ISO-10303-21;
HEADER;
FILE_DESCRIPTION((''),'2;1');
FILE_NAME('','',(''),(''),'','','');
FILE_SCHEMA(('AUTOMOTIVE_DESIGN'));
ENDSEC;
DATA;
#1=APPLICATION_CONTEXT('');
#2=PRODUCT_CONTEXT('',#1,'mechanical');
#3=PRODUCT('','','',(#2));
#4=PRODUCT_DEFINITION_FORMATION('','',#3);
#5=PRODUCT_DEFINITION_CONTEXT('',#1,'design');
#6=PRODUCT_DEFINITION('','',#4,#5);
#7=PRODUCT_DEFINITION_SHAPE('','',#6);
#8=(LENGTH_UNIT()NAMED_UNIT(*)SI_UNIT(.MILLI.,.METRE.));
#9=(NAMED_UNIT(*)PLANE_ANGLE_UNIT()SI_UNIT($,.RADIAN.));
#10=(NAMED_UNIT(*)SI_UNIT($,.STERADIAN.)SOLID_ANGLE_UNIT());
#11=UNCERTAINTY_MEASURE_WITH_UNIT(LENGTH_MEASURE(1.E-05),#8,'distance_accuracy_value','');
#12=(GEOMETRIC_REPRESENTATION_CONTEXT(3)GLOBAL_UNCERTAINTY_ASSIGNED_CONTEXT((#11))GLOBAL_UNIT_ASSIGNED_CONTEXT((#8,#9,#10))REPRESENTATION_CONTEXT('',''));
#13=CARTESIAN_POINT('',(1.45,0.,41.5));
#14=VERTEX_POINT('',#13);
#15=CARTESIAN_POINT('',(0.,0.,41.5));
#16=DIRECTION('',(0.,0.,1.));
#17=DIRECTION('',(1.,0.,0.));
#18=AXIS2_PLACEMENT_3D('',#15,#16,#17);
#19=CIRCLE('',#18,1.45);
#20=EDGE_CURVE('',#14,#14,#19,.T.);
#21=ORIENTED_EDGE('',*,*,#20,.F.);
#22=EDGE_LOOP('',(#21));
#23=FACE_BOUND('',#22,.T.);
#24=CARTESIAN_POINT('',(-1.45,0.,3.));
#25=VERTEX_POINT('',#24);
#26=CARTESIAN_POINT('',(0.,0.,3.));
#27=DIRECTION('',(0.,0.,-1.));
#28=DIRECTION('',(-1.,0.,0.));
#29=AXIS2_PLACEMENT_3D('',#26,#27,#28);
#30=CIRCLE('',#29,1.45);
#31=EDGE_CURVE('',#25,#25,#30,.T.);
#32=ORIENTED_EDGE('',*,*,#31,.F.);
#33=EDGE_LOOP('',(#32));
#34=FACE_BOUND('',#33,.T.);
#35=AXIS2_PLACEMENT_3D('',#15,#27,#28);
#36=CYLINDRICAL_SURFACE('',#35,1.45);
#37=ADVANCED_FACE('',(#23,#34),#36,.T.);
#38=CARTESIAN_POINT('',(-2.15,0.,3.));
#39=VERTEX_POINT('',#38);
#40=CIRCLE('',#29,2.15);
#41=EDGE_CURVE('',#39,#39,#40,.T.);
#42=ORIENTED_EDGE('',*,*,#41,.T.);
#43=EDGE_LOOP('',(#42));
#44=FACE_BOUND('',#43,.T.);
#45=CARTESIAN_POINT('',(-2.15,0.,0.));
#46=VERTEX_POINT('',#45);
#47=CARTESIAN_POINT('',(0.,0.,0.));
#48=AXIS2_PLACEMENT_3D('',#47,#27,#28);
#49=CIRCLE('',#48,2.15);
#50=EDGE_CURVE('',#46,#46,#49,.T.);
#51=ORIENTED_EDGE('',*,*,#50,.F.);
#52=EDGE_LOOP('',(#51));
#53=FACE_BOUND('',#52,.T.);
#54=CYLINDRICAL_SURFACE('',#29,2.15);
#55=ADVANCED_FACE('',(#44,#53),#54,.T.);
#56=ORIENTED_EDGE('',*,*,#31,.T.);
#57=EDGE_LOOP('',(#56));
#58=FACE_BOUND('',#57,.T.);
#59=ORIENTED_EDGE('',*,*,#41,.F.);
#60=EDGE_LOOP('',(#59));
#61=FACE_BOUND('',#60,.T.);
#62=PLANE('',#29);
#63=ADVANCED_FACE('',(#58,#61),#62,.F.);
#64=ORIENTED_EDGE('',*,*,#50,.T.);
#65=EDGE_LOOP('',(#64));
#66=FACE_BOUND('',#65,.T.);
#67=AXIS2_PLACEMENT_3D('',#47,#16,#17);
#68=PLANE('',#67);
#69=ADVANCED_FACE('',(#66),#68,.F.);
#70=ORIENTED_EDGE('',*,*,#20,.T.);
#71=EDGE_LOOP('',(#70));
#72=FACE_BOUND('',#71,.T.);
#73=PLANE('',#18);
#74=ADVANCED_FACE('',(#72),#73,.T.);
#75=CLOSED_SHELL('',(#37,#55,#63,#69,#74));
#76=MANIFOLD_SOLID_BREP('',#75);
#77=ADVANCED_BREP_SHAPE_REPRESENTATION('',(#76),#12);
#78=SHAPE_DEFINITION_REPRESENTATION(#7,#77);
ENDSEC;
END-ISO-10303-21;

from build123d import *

# Parameters (mm, degrees)
SKETCH1_R           = 1.45
BOSS_EXTRUDE1_DEPTH = 41.5
SKETCH2_R           = 2.15
BOSS_EXTRUDE2_DEPTH = 3


with BuildPart() as part:
    # Sketch1 → Boss-Extrude1 (new body)
    with BuildSketch(Plane.XY):
        Circle(SKETCH1_R)
    extrude(amount=BOSS_EXTRUDE1_DEPTH)

    # Sketch2 → Boss-Extrude2 (add)
    with BuildSketch(Plane(origin=(0, 0, 0), x_dir=(-1, 0, 0), z_dir=(0, 0, -1))):
        Circle(SKETCH2_R)
    extrude(amount=-BOSS_EXTRUDE2_DEPTH)


solid = part.part
